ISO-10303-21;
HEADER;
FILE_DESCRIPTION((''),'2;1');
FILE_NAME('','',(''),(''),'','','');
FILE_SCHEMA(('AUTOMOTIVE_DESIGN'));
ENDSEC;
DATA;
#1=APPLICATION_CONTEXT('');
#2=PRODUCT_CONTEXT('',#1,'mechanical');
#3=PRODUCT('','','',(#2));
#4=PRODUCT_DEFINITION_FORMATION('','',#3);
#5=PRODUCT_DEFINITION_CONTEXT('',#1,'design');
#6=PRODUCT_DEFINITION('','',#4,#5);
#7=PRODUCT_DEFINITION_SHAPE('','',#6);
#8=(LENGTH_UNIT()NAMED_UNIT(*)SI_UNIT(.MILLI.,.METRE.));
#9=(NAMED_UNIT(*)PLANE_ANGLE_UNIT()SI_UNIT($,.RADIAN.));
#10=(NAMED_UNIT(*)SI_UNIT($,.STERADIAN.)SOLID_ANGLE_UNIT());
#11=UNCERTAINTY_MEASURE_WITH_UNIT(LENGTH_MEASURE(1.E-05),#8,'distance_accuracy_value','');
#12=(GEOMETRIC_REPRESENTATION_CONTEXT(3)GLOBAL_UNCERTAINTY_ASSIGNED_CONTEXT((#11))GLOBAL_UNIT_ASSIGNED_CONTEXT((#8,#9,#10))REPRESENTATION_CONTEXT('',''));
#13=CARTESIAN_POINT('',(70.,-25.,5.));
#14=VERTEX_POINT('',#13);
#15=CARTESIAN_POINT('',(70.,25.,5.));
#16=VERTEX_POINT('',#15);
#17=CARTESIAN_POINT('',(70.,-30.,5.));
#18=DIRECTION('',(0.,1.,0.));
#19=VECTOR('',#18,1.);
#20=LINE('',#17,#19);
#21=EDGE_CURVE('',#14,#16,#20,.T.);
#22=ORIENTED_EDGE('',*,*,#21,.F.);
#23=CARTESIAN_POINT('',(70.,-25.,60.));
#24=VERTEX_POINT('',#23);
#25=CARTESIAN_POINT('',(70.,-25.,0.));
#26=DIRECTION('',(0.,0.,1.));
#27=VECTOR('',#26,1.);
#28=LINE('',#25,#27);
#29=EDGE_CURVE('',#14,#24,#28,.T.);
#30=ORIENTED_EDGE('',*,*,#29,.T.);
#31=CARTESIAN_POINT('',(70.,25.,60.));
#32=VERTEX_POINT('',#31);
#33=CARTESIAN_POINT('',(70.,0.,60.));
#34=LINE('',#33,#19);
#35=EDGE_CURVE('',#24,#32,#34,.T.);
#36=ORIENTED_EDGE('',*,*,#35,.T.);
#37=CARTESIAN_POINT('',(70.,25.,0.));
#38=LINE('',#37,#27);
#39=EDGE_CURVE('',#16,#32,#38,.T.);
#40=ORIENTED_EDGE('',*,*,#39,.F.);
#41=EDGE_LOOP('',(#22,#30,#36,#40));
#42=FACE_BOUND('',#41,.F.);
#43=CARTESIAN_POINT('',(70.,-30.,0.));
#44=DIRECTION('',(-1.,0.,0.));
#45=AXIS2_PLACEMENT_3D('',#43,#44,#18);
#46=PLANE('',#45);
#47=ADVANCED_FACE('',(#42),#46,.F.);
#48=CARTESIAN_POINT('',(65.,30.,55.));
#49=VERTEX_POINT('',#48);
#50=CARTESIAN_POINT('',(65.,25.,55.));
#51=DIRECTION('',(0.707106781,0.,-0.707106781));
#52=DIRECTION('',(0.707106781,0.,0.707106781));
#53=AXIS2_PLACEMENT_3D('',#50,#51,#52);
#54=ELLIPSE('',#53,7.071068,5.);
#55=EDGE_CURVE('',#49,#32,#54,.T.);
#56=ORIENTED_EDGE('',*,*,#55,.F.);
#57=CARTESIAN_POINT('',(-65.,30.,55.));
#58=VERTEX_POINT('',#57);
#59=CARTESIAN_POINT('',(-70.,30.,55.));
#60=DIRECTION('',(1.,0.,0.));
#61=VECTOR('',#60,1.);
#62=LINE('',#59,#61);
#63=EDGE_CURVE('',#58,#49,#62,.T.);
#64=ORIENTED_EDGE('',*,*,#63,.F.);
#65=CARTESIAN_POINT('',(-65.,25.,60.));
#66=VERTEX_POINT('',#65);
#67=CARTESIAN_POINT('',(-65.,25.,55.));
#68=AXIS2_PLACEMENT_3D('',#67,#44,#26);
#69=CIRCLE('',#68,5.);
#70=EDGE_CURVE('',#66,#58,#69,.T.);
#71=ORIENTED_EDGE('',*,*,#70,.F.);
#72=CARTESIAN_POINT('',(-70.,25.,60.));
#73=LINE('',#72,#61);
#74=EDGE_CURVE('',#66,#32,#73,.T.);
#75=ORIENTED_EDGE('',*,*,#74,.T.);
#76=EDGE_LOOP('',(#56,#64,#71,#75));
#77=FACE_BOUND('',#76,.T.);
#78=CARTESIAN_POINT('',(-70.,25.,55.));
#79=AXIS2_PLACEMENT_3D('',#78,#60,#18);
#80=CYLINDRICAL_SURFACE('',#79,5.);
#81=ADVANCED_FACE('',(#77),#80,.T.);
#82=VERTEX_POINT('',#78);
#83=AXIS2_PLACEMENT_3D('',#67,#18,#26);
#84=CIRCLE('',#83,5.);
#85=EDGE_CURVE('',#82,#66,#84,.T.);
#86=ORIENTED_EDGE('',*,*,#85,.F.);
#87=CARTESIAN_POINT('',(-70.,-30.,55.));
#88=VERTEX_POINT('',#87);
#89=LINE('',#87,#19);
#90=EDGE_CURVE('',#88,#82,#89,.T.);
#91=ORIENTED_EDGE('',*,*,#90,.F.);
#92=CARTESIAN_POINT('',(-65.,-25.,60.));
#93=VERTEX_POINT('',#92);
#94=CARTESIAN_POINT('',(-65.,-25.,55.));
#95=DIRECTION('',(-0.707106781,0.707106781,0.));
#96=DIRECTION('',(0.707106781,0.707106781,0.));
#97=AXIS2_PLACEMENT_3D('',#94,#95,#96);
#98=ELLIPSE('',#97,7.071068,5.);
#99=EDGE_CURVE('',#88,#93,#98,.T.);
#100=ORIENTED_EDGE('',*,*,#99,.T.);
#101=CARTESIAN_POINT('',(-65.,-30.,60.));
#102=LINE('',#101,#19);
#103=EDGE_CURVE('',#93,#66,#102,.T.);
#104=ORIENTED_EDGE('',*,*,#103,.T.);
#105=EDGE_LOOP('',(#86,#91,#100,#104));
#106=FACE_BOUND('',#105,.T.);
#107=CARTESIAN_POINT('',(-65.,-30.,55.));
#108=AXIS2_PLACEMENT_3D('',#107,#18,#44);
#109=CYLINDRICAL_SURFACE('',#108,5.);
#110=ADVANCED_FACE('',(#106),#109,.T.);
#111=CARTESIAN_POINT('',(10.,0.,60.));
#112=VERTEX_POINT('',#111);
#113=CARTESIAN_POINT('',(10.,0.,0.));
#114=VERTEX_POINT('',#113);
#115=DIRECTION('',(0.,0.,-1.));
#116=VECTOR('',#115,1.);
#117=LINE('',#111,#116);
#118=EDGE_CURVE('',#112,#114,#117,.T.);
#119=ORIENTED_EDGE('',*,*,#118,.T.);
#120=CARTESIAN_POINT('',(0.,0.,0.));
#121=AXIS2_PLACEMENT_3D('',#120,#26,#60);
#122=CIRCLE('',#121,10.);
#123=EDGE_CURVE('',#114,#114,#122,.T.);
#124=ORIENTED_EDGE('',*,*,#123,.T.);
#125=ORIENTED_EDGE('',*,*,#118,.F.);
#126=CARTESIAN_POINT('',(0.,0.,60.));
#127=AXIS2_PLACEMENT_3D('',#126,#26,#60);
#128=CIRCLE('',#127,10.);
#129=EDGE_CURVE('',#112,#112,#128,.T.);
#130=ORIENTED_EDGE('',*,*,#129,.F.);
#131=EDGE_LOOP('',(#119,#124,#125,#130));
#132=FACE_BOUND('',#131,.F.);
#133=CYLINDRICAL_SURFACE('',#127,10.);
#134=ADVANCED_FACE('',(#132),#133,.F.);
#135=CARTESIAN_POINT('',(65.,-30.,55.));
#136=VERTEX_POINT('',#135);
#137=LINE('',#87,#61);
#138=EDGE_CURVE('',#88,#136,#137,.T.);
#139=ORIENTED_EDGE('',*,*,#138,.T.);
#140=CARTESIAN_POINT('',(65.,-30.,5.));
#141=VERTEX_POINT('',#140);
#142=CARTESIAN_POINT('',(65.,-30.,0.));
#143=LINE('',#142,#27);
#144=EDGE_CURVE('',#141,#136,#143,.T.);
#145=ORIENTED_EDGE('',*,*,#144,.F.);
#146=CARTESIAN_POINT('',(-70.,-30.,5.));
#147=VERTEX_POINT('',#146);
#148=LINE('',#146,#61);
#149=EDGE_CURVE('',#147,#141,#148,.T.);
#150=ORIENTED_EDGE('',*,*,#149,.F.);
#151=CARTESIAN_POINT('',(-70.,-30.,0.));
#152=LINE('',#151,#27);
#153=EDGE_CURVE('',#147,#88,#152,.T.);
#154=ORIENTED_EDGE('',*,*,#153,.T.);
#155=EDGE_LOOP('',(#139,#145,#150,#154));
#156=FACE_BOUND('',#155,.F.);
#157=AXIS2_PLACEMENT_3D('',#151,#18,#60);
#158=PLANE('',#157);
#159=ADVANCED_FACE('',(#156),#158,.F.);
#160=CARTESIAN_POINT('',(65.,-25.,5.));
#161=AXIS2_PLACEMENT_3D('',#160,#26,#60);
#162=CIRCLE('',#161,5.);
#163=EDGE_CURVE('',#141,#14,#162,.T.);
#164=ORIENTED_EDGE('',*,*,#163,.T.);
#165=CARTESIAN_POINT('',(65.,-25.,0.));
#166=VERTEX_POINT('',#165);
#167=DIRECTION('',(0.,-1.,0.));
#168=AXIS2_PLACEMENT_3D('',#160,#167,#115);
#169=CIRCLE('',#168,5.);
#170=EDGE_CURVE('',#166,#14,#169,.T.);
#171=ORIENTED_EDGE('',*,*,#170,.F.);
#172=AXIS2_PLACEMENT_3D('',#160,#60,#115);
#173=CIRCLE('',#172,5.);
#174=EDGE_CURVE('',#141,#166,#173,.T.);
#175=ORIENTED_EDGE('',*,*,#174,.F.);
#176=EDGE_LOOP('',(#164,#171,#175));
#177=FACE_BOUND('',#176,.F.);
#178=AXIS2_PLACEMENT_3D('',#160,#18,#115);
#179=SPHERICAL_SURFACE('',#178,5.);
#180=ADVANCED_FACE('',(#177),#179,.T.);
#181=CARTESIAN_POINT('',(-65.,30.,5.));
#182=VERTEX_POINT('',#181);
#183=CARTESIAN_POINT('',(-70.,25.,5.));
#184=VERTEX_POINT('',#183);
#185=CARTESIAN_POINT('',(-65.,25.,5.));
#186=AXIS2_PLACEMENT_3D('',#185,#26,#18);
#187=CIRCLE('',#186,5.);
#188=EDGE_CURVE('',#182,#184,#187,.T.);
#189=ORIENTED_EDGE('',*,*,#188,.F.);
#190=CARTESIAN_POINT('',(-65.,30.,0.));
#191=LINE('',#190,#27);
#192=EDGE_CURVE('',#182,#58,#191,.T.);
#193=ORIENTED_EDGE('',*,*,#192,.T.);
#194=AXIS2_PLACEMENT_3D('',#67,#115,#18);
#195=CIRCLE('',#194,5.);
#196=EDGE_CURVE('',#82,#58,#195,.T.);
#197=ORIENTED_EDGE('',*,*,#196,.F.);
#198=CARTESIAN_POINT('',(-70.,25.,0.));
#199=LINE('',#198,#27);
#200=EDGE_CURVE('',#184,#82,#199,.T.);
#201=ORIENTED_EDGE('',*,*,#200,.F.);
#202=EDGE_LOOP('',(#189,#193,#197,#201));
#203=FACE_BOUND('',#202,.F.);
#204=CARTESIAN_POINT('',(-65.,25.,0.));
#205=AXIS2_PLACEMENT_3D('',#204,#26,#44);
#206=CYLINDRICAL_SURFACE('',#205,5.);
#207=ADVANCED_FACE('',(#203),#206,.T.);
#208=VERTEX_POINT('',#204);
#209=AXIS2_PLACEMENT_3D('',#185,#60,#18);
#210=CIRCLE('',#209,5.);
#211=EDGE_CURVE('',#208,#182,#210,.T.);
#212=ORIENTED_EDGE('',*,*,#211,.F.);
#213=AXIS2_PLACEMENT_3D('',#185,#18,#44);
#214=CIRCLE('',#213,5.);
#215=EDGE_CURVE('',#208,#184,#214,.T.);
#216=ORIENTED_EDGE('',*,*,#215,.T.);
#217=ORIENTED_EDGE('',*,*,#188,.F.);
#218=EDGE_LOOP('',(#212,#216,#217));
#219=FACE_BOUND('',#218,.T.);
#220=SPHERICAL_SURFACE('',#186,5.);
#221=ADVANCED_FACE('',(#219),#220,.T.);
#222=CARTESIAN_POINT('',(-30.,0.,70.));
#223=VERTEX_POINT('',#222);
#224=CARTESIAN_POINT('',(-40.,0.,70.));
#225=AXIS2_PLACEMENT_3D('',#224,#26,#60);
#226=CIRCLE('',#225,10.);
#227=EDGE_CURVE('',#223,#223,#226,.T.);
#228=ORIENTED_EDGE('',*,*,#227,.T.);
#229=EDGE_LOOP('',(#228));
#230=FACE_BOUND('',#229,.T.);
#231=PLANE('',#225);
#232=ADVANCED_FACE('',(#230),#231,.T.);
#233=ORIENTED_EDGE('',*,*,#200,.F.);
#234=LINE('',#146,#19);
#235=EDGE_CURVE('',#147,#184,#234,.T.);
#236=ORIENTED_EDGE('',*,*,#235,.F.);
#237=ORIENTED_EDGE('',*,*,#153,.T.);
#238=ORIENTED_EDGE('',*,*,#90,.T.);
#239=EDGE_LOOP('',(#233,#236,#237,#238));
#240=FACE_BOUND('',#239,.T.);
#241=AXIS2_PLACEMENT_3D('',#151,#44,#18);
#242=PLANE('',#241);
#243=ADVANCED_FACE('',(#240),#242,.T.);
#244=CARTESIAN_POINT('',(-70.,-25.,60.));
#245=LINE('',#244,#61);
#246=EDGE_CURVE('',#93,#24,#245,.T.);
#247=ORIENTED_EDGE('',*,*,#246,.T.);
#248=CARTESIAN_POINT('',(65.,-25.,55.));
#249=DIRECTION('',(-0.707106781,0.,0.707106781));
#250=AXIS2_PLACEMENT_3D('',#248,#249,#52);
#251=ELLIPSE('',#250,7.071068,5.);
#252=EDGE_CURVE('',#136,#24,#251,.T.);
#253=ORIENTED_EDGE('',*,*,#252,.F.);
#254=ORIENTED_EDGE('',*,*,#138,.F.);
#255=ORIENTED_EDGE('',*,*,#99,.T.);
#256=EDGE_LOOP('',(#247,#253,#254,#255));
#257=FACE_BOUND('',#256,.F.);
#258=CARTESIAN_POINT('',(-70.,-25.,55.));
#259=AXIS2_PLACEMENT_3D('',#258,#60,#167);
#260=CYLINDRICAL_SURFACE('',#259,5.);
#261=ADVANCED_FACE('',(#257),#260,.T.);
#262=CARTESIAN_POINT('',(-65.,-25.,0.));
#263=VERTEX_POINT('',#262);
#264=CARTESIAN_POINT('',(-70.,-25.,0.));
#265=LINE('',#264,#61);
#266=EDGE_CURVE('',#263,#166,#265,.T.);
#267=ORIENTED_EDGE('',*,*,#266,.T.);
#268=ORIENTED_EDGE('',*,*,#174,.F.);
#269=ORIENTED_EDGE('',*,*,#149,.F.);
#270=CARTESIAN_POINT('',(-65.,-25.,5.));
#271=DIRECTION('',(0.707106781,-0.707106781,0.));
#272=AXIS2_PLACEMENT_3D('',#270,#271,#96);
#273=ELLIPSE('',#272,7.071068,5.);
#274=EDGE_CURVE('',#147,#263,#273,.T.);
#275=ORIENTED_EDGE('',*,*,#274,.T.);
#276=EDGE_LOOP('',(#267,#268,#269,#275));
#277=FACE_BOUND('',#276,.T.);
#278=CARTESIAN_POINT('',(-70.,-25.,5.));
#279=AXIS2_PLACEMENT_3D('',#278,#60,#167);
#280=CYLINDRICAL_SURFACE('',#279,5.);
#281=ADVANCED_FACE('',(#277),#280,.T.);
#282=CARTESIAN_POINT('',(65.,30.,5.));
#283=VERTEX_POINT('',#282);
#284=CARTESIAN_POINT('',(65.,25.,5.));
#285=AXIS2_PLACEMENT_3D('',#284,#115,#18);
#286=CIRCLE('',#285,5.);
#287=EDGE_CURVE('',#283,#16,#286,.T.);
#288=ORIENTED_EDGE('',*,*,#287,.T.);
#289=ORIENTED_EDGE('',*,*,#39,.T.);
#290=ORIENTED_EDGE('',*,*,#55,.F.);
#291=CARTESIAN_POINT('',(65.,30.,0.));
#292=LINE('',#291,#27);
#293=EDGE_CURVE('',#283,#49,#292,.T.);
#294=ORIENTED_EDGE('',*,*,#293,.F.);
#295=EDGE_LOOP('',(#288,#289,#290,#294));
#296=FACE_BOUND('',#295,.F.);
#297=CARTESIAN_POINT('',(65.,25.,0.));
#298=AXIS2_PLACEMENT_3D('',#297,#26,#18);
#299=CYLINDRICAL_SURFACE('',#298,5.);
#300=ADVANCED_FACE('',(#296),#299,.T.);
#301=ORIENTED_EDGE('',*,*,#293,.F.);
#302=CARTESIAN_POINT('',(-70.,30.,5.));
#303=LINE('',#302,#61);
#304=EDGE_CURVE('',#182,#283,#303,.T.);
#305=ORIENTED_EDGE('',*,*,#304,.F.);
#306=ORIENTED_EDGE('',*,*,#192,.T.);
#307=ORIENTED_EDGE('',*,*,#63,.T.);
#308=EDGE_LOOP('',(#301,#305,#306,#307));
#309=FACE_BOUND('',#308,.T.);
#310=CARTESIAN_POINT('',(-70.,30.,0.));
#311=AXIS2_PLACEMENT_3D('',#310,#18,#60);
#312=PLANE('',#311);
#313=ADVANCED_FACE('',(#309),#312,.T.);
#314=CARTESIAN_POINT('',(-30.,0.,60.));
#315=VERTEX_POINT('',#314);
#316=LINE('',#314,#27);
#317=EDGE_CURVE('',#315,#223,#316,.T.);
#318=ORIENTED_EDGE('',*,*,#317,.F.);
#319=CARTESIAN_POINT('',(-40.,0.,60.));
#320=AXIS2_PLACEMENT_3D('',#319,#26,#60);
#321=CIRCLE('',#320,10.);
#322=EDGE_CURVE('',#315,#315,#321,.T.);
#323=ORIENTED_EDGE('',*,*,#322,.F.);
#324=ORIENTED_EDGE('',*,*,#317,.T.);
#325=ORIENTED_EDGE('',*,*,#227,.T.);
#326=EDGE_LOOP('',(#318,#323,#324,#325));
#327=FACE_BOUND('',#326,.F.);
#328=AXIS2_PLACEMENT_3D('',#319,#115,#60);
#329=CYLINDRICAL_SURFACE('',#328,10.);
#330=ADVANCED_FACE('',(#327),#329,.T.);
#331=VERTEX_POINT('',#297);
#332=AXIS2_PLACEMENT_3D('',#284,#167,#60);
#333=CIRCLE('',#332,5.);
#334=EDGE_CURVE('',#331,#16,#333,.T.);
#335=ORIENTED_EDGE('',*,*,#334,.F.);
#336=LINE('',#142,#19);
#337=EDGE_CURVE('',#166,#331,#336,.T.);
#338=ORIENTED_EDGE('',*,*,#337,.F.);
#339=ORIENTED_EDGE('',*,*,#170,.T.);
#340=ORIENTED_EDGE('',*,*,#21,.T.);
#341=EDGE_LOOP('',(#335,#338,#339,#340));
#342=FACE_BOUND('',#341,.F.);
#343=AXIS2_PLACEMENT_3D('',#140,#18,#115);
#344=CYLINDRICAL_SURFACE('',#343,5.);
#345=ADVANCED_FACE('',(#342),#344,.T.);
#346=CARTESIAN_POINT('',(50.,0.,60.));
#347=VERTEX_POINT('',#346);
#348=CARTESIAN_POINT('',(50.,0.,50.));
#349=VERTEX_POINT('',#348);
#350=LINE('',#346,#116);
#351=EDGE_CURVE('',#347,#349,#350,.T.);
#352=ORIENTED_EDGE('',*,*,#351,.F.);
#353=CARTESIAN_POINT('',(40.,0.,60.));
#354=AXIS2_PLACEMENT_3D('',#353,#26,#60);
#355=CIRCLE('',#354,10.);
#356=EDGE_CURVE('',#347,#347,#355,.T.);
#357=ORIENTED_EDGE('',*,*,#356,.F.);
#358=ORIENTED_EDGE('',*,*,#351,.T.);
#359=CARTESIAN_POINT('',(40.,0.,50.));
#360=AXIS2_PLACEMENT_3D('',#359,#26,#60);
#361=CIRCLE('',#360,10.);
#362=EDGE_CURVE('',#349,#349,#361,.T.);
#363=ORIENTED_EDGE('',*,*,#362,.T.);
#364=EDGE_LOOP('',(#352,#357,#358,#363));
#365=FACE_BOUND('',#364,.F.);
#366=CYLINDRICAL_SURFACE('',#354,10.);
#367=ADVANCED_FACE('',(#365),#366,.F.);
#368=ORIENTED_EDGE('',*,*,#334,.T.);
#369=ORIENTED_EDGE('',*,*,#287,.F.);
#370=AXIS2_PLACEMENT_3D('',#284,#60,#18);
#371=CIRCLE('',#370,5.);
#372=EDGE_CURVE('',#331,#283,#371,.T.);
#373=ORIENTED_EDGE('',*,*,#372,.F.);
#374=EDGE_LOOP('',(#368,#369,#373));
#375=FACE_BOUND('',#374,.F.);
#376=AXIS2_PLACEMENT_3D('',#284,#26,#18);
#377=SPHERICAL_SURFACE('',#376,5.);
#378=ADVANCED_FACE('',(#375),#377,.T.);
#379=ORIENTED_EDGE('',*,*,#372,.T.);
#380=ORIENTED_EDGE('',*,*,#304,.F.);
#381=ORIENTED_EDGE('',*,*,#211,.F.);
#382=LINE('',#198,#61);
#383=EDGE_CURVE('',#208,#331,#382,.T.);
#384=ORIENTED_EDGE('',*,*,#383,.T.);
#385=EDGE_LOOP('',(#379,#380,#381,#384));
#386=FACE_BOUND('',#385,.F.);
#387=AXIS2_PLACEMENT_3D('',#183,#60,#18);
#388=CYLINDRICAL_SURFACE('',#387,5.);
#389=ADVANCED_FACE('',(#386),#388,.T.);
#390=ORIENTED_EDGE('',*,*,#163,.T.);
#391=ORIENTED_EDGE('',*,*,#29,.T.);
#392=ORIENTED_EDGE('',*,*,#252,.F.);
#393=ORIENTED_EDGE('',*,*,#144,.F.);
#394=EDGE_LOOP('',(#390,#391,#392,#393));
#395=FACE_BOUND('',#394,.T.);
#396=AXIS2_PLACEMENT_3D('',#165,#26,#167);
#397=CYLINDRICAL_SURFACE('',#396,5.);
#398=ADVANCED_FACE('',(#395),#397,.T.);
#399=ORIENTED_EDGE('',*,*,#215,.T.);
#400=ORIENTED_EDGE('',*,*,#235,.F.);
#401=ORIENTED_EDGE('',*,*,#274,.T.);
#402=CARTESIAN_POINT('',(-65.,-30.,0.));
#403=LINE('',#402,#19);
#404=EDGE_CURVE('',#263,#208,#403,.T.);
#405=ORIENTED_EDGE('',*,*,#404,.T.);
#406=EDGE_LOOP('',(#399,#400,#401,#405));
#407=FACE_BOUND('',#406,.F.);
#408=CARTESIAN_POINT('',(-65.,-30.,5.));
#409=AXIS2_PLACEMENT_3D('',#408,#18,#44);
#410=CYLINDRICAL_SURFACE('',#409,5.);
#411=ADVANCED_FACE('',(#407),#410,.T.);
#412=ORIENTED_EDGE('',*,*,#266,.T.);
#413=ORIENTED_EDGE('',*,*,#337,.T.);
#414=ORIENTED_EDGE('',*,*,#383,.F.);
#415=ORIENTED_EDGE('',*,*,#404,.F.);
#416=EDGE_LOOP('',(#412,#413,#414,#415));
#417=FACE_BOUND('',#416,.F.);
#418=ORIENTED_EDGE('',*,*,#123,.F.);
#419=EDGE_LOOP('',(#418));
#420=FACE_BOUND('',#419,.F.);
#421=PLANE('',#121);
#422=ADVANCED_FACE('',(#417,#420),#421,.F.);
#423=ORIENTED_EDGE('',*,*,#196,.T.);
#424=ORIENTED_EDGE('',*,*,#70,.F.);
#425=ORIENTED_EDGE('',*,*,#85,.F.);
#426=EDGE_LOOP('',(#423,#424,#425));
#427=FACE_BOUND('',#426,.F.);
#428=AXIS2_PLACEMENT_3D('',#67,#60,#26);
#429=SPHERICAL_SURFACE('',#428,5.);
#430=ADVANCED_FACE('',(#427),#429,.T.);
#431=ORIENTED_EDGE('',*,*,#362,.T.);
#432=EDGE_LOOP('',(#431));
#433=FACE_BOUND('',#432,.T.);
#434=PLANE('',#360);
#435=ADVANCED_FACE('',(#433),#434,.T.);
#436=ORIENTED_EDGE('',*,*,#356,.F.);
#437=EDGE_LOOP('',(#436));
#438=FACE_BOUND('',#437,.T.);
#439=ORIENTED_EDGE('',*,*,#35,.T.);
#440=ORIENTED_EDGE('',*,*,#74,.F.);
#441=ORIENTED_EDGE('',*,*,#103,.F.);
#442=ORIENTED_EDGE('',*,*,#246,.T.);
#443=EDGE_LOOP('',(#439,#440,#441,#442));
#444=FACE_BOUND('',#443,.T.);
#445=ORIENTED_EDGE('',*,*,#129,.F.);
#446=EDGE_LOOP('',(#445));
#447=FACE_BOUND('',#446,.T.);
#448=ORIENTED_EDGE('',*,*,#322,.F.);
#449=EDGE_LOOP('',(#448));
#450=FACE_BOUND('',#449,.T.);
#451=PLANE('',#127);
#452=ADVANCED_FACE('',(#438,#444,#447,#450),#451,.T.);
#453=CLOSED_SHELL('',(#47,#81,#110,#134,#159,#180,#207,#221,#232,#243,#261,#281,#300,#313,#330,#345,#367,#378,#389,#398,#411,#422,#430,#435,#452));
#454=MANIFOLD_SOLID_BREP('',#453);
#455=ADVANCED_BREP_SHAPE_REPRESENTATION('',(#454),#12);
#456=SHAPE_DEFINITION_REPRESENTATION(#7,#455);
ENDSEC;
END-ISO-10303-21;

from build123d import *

# Parameters (mm, degrees)
F0_W     = 140
F0_H     = 60
F1_DEPTH = 60
F2_R     = 10
F5_DEPTH = 10
F4_R     = 10
F6_DEPTH = 103.2
F3_R     = 10
F7_DEPTH = 10
F8_R     = 5


with BuildPart() as f1:
    # F0 (on Top) → F1 (new body)
    with BuildSketch(Plane.XY):
        Rectangle(F0_W, F0_H)
    extrude(amount=F1_DEPTH)

    # F2 (on face) → F5 (join)
    with BuildSketch(Plane.XY.offset(60)):
        with Locations((-40, 0)):
            Circle(F2_R)
    extrude(amount=F5_DEPTH)

    # F4 (on face) → F6 (cut)
    with BuildSketch(Plane.XY.offset(60)):
        Circle(F4_R)
    extrude(amount=-F6_DEPTH, mode=Mode.SUBTRACT)

    # F3 (on face) → F7 (cut)
    with BuildSketch(Plane.XY.offset(60)):
        with Locations((40, 0)):
            Circle(F3_R)
    extrude(amount=-F7_DEPTH, mode=Mode.SUBTRACT)

    # F8
    f8_edges = [f1.edges().sort_by_distance(p)[0] for p in [
        (0, 30, 60),
        (-70, 0, 60),
        (0, -30, 60),
        (70, 30, 30),
        (-70, 30, 30),
        (0, 30, 0),
        (70, 0, 0),
        (0, -30, 0),
        (-70, 0, 0),
        (70, -30, 30),
    ]]
    fillet(f8_edges, radius=F8_R)


solid = f1.part
